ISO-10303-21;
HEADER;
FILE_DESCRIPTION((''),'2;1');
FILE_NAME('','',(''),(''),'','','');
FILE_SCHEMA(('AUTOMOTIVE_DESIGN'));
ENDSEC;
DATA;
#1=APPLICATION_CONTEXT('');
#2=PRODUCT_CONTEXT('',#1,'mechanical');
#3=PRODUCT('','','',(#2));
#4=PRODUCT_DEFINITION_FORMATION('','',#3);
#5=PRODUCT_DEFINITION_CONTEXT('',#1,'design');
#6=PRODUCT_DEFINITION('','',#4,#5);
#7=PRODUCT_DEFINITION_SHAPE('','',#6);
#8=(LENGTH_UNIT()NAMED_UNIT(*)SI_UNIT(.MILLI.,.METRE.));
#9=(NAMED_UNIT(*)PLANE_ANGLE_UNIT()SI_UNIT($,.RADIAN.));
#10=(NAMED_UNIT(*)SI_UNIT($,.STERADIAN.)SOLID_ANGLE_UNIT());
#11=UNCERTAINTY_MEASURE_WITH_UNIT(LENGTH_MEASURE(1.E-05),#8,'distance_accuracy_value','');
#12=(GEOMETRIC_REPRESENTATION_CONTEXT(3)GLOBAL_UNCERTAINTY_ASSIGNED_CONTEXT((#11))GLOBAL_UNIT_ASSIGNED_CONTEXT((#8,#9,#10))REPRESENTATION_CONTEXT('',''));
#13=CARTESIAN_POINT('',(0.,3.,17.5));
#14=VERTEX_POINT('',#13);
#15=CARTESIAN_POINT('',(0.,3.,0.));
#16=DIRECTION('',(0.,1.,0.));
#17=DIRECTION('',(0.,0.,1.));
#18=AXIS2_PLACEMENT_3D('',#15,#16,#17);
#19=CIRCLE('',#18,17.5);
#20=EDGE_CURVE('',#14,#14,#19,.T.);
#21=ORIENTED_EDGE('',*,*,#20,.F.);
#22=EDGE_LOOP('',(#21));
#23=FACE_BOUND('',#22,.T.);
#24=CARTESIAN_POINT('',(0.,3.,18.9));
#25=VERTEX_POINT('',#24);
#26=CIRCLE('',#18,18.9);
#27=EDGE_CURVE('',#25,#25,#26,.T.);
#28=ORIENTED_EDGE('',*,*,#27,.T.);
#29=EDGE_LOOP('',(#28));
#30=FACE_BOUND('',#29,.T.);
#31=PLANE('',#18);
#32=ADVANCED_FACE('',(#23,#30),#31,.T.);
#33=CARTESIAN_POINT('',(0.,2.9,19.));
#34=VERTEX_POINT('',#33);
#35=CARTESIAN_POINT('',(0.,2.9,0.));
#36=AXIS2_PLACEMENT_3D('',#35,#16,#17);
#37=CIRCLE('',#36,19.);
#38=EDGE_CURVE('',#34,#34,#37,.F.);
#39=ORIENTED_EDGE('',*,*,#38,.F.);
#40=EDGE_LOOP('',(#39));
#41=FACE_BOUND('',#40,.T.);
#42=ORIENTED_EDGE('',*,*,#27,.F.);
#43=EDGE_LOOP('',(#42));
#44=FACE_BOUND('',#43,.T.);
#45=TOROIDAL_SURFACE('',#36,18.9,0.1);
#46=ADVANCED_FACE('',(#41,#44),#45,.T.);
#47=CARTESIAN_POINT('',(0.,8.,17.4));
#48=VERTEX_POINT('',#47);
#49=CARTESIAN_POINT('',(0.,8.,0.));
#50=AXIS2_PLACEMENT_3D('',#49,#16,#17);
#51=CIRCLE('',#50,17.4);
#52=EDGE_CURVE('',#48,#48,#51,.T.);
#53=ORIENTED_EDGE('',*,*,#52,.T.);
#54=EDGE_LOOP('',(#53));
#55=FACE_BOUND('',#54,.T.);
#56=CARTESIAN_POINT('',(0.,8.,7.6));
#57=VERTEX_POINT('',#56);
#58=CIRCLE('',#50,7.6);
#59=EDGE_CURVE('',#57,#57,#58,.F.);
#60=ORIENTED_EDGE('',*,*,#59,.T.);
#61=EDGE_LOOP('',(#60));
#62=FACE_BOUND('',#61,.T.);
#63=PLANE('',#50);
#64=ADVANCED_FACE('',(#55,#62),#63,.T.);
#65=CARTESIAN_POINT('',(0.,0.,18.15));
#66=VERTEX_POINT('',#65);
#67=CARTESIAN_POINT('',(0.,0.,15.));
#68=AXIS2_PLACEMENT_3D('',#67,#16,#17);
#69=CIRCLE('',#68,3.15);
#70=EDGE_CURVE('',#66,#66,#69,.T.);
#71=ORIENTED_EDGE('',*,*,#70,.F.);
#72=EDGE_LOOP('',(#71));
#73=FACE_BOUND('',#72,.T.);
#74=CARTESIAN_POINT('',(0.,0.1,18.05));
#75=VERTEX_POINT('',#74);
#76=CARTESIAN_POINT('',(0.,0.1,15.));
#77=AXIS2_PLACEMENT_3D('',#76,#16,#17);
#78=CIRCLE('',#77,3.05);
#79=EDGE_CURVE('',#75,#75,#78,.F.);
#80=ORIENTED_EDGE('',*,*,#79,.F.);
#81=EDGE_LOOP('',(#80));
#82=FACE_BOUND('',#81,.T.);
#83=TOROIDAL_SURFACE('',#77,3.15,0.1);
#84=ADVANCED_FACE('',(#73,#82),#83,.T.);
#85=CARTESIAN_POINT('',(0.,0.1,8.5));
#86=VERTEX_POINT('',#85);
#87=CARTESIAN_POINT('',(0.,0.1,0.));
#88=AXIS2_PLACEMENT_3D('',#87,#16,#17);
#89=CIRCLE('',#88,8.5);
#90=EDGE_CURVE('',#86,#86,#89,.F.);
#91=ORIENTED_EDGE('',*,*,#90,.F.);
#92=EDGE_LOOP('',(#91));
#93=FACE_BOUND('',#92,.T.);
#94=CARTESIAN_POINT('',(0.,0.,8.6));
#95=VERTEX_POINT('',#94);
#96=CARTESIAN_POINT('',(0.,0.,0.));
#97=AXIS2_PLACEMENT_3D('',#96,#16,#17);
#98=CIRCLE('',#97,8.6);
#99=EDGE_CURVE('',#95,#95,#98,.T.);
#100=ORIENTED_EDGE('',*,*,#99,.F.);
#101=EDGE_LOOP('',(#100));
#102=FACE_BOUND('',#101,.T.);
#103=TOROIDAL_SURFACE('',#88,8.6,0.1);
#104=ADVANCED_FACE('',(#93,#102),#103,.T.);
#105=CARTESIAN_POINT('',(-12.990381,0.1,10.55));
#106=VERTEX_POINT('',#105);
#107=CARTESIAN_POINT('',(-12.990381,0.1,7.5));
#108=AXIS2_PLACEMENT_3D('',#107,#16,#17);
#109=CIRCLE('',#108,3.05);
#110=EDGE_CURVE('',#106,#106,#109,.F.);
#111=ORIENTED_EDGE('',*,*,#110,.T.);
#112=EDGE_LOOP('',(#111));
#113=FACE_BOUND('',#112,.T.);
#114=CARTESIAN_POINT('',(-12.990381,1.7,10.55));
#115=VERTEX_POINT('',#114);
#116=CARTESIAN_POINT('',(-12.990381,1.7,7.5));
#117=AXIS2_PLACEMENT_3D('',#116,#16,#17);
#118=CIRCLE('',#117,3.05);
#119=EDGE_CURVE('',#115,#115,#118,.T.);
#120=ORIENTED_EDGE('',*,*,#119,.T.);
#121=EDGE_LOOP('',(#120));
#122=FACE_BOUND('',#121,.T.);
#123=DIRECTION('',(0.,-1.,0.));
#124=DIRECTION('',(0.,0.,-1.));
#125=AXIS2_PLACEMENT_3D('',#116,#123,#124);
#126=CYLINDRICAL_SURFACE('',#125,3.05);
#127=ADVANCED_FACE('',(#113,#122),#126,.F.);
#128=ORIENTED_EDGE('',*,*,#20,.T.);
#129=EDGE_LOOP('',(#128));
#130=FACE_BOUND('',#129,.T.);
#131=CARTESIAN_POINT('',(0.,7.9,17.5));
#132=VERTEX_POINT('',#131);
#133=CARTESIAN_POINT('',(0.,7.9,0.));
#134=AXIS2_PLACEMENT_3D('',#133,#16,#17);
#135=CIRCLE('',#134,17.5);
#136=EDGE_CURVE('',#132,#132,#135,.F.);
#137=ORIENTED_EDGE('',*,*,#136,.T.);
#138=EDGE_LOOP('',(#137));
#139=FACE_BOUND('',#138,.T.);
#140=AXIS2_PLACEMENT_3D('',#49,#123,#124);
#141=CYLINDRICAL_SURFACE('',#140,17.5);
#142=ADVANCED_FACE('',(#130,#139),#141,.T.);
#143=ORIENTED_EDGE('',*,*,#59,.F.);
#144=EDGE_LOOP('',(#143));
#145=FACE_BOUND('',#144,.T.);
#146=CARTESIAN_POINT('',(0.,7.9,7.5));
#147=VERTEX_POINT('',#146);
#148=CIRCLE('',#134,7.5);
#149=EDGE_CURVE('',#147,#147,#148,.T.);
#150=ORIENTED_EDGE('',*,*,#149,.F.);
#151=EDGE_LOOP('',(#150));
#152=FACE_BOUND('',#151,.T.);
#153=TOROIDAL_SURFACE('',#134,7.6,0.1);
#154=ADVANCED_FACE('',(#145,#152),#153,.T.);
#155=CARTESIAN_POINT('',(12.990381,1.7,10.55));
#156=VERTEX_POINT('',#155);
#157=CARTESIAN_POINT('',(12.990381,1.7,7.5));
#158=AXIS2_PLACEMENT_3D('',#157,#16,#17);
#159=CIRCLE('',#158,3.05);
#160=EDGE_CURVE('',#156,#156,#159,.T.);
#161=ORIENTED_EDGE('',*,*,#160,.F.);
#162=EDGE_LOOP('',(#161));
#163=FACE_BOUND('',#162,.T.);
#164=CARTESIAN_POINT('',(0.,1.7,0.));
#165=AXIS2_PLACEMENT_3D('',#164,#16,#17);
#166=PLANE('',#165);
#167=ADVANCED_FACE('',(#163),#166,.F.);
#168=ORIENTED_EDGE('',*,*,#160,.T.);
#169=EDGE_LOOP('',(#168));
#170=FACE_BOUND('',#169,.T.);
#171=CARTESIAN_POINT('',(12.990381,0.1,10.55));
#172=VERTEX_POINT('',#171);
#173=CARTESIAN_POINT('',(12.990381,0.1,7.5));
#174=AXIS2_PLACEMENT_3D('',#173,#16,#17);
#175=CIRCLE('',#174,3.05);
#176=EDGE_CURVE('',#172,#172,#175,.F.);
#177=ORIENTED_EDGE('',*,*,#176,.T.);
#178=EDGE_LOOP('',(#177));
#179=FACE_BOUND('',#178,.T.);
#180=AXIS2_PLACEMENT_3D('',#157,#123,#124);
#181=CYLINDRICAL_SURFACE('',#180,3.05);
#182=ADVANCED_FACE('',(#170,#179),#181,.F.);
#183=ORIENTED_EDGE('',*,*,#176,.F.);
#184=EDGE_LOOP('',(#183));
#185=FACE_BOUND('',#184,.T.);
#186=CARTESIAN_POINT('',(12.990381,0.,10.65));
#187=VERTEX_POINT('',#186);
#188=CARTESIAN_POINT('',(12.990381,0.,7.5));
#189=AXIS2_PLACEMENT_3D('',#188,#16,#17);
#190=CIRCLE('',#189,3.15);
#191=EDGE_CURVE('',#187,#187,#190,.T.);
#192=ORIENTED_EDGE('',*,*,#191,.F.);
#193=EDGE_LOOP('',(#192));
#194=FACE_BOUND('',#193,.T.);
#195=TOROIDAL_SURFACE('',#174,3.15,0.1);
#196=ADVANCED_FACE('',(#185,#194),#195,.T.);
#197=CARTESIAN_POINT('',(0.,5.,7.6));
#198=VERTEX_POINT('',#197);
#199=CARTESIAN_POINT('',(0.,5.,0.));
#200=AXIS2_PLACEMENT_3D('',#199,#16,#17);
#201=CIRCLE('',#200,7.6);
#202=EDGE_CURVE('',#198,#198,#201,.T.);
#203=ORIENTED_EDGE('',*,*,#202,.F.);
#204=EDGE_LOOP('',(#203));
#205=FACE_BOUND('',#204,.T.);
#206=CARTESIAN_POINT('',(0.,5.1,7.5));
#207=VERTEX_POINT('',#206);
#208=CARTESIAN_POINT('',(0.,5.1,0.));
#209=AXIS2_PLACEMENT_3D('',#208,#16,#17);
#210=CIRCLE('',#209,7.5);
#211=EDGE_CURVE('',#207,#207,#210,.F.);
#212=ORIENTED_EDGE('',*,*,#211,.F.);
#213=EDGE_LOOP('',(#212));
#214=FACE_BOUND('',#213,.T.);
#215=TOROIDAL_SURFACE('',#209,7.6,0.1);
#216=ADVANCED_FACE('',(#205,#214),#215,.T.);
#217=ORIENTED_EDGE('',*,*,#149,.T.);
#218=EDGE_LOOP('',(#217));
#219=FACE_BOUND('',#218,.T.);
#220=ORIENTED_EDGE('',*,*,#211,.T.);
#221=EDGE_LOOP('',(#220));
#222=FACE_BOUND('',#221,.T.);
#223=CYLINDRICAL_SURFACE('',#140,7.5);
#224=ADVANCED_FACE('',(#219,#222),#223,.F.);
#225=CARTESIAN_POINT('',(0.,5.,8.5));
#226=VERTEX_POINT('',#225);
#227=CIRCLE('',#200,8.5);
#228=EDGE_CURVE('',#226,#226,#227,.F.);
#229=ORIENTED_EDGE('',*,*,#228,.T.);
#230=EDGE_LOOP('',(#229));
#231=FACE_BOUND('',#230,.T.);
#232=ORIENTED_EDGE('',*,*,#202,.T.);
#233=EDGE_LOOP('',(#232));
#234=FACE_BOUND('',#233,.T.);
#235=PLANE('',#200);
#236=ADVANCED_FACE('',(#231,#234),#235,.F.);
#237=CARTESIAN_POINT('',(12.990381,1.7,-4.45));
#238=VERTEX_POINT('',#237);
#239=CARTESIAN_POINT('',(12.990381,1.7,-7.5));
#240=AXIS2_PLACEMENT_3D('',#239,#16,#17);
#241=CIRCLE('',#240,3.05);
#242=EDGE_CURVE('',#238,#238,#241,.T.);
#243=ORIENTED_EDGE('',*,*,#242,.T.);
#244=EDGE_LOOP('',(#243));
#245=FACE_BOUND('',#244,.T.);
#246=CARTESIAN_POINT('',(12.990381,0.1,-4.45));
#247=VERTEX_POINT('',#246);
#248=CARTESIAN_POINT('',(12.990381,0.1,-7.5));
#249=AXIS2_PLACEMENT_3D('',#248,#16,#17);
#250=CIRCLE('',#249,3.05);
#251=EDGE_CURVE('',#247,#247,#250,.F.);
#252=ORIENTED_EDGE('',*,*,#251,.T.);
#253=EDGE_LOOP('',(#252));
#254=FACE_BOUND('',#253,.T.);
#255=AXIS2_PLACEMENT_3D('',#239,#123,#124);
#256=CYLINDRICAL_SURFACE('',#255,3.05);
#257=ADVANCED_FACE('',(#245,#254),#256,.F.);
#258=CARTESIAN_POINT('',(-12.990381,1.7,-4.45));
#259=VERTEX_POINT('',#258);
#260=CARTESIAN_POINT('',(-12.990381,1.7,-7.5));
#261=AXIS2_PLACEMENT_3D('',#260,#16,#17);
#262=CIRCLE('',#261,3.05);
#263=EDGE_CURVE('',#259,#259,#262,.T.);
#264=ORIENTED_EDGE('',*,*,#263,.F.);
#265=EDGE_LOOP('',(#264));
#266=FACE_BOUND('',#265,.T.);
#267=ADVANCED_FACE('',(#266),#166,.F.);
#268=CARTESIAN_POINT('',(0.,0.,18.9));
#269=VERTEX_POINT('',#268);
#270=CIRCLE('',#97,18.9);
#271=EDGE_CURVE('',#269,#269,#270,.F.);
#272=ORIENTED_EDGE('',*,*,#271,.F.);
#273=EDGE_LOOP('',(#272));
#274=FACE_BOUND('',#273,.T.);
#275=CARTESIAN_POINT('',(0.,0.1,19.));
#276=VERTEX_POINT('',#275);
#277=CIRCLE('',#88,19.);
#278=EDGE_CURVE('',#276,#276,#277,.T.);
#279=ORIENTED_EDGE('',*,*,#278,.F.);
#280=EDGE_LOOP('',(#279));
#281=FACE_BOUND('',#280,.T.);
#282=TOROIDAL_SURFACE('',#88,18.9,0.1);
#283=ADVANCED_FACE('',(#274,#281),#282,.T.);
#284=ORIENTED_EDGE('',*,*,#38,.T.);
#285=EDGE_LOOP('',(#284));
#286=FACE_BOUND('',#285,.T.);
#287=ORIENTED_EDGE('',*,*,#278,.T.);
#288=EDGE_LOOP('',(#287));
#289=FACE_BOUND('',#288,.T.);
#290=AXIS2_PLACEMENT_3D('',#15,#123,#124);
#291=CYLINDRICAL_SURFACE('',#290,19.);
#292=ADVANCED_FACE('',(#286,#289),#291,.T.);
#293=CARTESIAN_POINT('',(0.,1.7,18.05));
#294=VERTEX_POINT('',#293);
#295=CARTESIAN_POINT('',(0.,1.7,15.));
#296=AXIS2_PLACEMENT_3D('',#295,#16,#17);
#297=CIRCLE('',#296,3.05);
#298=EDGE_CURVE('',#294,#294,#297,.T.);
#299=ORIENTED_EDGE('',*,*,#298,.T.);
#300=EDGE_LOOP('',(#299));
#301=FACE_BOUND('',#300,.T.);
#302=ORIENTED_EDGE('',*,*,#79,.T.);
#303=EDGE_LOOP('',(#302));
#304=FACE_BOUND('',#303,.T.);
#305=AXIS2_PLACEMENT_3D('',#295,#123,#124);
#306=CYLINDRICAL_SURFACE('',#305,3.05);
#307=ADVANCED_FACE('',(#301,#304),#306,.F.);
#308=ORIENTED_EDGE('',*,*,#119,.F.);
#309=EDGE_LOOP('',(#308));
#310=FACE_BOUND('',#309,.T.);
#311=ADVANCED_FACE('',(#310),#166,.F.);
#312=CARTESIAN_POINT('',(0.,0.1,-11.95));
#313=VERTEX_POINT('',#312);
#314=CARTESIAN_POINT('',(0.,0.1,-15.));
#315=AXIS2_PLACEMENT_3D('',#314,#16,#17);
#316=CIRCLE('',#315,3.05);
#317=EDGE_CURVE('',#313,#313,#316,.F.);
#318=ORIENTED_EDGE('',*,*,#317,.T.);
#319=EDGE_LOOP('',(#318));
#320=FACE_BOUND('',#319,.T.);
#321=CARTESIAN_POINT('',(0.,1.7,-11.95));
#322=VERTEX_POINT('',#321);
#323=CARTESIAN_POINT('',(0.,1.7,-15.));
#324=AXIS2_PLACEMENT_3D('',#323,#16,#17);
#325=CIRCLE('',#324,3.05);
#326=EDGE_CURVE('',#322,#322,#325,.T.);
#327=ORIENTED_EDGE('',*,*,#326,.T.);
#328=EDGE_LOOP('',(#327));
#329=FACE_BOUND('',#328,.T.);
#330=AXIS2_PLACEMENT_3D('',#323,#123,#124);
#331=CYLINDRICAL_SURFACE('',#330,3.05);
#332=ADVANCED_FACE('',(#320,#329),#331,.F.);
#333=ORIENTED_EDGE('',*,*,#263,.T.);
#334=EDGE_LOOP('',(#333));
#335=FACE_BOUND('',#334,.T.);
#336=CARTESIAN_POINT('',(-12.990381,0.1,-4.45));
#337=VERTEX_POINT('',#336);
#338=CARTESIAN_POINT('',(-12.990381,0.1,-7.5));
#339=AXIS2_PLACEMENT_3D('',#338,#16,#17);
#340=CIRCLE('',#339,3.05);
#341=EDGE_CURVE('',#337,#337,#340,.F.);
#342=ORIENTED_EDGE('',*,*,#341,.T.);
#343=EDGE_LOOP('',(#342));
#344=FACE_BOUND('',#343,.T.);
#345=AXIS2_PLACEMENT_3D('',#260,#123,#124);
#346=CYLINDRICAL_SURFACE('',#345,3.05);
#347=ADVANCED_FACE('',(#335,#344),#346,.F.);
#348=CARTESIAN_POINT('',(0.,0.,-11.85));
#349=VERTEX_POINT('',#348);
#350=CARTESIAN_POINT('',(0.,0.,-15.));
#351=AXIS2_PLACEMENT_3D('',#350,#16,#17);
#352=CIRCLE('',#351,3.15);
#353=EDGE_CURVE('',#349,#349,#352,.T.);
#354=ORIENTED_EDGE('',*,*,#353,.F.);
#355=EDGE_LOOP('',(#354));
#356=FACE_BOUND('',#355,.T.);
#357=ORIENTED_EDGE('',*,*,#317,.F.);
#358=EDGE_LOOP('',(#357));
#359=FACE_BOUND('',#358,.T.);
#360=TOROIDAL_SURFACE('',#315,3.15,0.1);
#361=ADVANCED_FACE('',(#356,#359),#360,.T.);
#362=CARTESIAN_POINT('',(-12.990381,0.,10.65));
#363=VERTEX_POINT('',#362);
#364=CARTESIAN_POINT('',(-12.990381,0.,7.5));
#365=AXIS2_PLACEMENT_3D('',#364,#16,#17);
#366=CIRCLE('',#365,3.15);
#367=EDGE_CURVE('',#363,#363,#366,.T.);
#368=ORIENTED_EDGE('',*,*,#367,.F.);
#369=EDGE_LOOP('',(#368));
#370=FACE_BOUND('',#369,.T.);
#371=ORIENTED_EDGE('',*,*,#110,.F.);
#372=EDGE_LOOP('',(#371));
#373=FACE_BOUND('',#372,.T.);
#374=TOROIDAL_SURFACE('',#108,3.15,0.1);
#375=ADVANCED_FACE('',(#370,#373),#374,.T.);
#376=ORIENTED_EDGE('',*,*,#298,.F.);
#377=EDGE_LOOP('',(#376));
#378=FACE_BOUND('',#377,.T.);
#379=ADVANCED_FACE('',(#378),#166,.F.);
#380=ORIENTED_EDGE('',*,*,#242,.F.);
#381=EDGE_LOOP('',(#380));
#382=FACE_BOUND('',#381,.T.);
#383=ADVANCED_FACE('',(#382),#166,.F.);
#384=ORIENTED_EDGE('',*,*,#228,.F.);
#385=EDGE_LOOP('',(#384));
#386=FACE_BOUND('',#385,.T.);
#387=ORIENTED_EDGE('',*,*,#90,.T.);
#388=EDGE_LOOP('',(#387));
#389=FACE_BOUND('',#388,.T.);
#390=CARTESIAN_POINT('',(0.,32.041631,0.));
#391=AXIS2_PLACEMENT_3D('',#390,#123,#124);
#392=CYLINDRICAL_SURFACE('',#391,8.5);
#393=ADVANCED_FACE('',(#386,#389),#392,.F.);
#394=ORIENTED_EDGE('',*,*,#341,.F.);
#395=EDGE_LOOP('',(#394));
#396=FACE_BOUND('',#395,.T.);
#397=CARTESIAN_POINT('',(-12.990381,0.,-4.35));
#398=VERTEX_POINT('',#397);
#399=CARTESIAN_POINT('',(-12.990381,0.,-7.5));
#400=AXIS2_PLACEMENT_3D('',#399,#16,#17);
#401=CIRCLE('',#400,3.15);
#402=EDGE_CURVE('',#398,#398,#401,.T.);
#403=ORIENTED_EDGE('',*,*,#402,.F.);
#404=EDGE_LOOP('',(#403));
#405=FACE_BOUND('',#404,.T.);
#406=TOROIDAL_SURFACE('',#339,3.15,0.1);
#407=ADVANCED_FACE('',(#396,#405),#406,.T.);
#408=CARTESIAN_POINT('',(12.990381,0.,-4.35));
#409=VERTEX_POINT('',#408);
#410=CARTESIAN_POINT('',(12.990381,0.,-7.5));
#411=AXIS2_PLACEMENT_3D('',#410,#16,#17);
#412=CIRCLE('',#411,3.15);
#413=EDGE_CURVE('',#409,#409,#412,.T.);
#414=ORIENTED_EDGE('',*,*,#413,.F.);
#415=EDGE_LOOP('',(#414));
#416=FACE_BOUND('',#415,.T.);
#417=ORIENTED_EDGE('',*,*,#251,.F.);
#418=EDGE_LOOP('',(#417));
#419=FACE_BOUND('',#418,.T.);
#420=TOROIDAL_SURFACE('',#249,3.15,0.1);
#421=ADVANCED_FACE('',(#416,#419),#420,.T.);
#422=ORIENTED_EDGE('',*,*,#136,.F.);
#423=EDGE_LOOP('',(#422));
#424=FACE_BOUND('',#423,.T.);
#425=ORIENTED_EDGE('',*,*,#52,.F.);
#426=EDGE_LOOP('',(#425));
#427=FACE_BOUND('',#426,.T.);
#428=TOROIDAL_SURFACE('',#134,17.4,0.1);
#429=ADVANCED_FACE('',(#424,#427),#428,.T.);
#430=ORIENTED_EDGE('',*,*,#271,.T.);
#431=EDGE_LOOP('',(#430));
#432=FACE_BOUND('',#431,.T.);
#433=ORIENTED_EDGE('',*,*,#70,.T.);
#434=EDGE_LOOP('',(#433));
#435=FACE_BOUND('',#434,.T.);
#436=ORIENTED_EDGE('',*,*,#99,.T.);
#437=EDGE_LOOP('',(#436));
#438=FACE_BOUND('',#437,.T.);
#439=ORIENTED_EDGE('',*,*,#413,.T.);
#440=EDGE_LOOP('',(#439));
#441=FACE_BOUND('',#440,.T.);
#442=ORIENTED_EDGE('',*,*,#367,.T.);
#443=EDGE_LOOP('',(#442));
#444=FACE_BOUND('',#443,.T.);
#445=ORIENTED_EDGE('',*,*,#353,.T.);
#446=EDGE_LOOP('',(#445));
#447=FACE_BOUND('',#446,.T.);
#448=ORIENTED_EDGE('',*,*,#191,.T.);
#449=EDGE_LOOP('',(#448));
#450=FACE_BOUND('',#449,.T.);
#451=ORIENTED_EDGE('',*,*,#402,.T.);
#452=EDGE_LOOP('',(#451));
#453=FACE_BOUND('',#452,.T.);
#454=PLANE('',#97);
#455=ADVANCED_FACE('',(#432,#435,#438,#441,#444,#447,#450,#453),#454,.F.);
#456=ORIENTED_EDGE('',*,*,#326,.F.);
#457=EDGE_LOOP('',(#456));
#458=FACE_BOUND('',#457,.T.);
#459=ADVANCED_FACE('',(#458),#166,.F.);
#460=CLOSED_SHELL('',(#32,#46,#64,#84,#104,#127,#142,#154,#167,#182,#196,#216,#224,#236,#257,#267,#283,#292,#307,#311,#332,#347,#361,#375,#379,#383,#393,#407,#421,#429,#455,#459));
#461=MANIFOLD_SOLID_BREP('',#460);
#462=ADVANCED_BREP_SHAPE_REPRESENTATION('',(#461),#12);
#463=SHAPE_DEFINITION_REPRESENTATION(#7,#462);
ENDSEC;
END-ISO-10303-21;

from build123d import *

# Parameters (mm, degrees)
SKETCH_1_R          = 19
EXTRUDE_1_DEPTH     = 3
SKETCH_1_3_R        = 3.05
CUT_EXTRUDE_1_DEPTH = 1.7
SKETCH_5_R          = 17.5
SKETCH_5_R_2        = 7.5
EXTRUDE_3_DEPTH     = 5
SKETCH_8_R          = 8.5
CUT_EXTRUDE_4_DEPTH = 5
FILLET_1_R          = 0.1


with BuildPart() as part:
    # 草图1 → 凸台-拉伸1 (new body)
    with BuildSketch(Plane(origin=(0, 0, 0), x_dir=(1, 0, 0), z_dir=(0, 1, 0))):
        with Locations(Location((0, 0, 0), (0, 0, 270))):
            Circle(SKETCH_1_R)
    extrude(amount=EXTRUDE_1_DEPTH)

    # 草图1<3> → 切除-拉伸1 (cut)
    with BuildSketch(Plane(origin=(0, 0, 0), x_dir=(1, 0, 0), z_dir=(0, 1, 0))):
        with Locations(Location((-12.990381057, 7.5, 0), (0, 0, 270))):
            Circle(SKETCH_1_3_R)
        with Locations(Location((-12.990381057, -7.5, 0), (0, 0, 270))):
            Circle(SKETCH_1_3_R)
        with Locations(Location((0, -15, 0), (0, 0, 270))):
            Circle(SKETCH_1_3_R)
        with Locations(Location((12.990381057, -7.5, 0), (0, 0, 270))):
            Circle(SKETCH_1_3_R)
        with Locations(Location((12.990381057, 7.5, 0), (0, 0, 270))):
            Circle(SKETCH_1_3_R)
        with Locations(Location((0, 15, 0), (0, 0, 270))):
            Circle(SKETCH_1_3_R)
    extrude(amount=CUT_EXTRUDE_1_DEPTH, mode=Mode.SUBTRACT)

    # 草图5 → 凸台-拉伸3 (add)
    with BuildSketch(Plane(origin=(0, 3, 0), x_dir=(1, 0, 0), z_dir=(0, 1, 0))):
        with Locations(Location((0, 0, 0), (0, 0, 270))):
            Circle(SKETCH_5_R)
        with Locations(Location((0, 0, 0), (0, 0, 270))):
            Circle(SKETCH_5_R_2, mode=Mode.SUBTRACT)
    extrude(amount=EXTRUDE_3_DEPTH)

    # 草图8 → 切除-拉伸4 (cut)
    with BuildSketch(Plane.XZ):
        with Locations(Location((0, 0, 0), (0, 0, 270))):
            Circle(SKETCH_8_R)
    extrude(amount=-CUT_EXTRUDE_4_DEPTH, mode=Mode.SUBTRACT)

    # 圆角1
    fillet_1_edges = [part.edges().sort_by_distance(p)[0] for p in [
        (0, 0, -18.05),
        (12.990381057, 0, -10.55),
        (12.990381057, 0, 4.45),
        (0, 0, 11.95),
        (-12.990381057, 0, 4.45),
        (-12.990381057, 0, -10.55),
        (0, 0, -19),
        (0, 8, -17.5),
        (0, 8, -7.5),
        (0, 5, -7.5),
        (0, 0, 8.5),
        (0, 3, -19),
    ]]
    fillet(fillet_1_edges, radius=FILLET_1_R)


solid = part.part
